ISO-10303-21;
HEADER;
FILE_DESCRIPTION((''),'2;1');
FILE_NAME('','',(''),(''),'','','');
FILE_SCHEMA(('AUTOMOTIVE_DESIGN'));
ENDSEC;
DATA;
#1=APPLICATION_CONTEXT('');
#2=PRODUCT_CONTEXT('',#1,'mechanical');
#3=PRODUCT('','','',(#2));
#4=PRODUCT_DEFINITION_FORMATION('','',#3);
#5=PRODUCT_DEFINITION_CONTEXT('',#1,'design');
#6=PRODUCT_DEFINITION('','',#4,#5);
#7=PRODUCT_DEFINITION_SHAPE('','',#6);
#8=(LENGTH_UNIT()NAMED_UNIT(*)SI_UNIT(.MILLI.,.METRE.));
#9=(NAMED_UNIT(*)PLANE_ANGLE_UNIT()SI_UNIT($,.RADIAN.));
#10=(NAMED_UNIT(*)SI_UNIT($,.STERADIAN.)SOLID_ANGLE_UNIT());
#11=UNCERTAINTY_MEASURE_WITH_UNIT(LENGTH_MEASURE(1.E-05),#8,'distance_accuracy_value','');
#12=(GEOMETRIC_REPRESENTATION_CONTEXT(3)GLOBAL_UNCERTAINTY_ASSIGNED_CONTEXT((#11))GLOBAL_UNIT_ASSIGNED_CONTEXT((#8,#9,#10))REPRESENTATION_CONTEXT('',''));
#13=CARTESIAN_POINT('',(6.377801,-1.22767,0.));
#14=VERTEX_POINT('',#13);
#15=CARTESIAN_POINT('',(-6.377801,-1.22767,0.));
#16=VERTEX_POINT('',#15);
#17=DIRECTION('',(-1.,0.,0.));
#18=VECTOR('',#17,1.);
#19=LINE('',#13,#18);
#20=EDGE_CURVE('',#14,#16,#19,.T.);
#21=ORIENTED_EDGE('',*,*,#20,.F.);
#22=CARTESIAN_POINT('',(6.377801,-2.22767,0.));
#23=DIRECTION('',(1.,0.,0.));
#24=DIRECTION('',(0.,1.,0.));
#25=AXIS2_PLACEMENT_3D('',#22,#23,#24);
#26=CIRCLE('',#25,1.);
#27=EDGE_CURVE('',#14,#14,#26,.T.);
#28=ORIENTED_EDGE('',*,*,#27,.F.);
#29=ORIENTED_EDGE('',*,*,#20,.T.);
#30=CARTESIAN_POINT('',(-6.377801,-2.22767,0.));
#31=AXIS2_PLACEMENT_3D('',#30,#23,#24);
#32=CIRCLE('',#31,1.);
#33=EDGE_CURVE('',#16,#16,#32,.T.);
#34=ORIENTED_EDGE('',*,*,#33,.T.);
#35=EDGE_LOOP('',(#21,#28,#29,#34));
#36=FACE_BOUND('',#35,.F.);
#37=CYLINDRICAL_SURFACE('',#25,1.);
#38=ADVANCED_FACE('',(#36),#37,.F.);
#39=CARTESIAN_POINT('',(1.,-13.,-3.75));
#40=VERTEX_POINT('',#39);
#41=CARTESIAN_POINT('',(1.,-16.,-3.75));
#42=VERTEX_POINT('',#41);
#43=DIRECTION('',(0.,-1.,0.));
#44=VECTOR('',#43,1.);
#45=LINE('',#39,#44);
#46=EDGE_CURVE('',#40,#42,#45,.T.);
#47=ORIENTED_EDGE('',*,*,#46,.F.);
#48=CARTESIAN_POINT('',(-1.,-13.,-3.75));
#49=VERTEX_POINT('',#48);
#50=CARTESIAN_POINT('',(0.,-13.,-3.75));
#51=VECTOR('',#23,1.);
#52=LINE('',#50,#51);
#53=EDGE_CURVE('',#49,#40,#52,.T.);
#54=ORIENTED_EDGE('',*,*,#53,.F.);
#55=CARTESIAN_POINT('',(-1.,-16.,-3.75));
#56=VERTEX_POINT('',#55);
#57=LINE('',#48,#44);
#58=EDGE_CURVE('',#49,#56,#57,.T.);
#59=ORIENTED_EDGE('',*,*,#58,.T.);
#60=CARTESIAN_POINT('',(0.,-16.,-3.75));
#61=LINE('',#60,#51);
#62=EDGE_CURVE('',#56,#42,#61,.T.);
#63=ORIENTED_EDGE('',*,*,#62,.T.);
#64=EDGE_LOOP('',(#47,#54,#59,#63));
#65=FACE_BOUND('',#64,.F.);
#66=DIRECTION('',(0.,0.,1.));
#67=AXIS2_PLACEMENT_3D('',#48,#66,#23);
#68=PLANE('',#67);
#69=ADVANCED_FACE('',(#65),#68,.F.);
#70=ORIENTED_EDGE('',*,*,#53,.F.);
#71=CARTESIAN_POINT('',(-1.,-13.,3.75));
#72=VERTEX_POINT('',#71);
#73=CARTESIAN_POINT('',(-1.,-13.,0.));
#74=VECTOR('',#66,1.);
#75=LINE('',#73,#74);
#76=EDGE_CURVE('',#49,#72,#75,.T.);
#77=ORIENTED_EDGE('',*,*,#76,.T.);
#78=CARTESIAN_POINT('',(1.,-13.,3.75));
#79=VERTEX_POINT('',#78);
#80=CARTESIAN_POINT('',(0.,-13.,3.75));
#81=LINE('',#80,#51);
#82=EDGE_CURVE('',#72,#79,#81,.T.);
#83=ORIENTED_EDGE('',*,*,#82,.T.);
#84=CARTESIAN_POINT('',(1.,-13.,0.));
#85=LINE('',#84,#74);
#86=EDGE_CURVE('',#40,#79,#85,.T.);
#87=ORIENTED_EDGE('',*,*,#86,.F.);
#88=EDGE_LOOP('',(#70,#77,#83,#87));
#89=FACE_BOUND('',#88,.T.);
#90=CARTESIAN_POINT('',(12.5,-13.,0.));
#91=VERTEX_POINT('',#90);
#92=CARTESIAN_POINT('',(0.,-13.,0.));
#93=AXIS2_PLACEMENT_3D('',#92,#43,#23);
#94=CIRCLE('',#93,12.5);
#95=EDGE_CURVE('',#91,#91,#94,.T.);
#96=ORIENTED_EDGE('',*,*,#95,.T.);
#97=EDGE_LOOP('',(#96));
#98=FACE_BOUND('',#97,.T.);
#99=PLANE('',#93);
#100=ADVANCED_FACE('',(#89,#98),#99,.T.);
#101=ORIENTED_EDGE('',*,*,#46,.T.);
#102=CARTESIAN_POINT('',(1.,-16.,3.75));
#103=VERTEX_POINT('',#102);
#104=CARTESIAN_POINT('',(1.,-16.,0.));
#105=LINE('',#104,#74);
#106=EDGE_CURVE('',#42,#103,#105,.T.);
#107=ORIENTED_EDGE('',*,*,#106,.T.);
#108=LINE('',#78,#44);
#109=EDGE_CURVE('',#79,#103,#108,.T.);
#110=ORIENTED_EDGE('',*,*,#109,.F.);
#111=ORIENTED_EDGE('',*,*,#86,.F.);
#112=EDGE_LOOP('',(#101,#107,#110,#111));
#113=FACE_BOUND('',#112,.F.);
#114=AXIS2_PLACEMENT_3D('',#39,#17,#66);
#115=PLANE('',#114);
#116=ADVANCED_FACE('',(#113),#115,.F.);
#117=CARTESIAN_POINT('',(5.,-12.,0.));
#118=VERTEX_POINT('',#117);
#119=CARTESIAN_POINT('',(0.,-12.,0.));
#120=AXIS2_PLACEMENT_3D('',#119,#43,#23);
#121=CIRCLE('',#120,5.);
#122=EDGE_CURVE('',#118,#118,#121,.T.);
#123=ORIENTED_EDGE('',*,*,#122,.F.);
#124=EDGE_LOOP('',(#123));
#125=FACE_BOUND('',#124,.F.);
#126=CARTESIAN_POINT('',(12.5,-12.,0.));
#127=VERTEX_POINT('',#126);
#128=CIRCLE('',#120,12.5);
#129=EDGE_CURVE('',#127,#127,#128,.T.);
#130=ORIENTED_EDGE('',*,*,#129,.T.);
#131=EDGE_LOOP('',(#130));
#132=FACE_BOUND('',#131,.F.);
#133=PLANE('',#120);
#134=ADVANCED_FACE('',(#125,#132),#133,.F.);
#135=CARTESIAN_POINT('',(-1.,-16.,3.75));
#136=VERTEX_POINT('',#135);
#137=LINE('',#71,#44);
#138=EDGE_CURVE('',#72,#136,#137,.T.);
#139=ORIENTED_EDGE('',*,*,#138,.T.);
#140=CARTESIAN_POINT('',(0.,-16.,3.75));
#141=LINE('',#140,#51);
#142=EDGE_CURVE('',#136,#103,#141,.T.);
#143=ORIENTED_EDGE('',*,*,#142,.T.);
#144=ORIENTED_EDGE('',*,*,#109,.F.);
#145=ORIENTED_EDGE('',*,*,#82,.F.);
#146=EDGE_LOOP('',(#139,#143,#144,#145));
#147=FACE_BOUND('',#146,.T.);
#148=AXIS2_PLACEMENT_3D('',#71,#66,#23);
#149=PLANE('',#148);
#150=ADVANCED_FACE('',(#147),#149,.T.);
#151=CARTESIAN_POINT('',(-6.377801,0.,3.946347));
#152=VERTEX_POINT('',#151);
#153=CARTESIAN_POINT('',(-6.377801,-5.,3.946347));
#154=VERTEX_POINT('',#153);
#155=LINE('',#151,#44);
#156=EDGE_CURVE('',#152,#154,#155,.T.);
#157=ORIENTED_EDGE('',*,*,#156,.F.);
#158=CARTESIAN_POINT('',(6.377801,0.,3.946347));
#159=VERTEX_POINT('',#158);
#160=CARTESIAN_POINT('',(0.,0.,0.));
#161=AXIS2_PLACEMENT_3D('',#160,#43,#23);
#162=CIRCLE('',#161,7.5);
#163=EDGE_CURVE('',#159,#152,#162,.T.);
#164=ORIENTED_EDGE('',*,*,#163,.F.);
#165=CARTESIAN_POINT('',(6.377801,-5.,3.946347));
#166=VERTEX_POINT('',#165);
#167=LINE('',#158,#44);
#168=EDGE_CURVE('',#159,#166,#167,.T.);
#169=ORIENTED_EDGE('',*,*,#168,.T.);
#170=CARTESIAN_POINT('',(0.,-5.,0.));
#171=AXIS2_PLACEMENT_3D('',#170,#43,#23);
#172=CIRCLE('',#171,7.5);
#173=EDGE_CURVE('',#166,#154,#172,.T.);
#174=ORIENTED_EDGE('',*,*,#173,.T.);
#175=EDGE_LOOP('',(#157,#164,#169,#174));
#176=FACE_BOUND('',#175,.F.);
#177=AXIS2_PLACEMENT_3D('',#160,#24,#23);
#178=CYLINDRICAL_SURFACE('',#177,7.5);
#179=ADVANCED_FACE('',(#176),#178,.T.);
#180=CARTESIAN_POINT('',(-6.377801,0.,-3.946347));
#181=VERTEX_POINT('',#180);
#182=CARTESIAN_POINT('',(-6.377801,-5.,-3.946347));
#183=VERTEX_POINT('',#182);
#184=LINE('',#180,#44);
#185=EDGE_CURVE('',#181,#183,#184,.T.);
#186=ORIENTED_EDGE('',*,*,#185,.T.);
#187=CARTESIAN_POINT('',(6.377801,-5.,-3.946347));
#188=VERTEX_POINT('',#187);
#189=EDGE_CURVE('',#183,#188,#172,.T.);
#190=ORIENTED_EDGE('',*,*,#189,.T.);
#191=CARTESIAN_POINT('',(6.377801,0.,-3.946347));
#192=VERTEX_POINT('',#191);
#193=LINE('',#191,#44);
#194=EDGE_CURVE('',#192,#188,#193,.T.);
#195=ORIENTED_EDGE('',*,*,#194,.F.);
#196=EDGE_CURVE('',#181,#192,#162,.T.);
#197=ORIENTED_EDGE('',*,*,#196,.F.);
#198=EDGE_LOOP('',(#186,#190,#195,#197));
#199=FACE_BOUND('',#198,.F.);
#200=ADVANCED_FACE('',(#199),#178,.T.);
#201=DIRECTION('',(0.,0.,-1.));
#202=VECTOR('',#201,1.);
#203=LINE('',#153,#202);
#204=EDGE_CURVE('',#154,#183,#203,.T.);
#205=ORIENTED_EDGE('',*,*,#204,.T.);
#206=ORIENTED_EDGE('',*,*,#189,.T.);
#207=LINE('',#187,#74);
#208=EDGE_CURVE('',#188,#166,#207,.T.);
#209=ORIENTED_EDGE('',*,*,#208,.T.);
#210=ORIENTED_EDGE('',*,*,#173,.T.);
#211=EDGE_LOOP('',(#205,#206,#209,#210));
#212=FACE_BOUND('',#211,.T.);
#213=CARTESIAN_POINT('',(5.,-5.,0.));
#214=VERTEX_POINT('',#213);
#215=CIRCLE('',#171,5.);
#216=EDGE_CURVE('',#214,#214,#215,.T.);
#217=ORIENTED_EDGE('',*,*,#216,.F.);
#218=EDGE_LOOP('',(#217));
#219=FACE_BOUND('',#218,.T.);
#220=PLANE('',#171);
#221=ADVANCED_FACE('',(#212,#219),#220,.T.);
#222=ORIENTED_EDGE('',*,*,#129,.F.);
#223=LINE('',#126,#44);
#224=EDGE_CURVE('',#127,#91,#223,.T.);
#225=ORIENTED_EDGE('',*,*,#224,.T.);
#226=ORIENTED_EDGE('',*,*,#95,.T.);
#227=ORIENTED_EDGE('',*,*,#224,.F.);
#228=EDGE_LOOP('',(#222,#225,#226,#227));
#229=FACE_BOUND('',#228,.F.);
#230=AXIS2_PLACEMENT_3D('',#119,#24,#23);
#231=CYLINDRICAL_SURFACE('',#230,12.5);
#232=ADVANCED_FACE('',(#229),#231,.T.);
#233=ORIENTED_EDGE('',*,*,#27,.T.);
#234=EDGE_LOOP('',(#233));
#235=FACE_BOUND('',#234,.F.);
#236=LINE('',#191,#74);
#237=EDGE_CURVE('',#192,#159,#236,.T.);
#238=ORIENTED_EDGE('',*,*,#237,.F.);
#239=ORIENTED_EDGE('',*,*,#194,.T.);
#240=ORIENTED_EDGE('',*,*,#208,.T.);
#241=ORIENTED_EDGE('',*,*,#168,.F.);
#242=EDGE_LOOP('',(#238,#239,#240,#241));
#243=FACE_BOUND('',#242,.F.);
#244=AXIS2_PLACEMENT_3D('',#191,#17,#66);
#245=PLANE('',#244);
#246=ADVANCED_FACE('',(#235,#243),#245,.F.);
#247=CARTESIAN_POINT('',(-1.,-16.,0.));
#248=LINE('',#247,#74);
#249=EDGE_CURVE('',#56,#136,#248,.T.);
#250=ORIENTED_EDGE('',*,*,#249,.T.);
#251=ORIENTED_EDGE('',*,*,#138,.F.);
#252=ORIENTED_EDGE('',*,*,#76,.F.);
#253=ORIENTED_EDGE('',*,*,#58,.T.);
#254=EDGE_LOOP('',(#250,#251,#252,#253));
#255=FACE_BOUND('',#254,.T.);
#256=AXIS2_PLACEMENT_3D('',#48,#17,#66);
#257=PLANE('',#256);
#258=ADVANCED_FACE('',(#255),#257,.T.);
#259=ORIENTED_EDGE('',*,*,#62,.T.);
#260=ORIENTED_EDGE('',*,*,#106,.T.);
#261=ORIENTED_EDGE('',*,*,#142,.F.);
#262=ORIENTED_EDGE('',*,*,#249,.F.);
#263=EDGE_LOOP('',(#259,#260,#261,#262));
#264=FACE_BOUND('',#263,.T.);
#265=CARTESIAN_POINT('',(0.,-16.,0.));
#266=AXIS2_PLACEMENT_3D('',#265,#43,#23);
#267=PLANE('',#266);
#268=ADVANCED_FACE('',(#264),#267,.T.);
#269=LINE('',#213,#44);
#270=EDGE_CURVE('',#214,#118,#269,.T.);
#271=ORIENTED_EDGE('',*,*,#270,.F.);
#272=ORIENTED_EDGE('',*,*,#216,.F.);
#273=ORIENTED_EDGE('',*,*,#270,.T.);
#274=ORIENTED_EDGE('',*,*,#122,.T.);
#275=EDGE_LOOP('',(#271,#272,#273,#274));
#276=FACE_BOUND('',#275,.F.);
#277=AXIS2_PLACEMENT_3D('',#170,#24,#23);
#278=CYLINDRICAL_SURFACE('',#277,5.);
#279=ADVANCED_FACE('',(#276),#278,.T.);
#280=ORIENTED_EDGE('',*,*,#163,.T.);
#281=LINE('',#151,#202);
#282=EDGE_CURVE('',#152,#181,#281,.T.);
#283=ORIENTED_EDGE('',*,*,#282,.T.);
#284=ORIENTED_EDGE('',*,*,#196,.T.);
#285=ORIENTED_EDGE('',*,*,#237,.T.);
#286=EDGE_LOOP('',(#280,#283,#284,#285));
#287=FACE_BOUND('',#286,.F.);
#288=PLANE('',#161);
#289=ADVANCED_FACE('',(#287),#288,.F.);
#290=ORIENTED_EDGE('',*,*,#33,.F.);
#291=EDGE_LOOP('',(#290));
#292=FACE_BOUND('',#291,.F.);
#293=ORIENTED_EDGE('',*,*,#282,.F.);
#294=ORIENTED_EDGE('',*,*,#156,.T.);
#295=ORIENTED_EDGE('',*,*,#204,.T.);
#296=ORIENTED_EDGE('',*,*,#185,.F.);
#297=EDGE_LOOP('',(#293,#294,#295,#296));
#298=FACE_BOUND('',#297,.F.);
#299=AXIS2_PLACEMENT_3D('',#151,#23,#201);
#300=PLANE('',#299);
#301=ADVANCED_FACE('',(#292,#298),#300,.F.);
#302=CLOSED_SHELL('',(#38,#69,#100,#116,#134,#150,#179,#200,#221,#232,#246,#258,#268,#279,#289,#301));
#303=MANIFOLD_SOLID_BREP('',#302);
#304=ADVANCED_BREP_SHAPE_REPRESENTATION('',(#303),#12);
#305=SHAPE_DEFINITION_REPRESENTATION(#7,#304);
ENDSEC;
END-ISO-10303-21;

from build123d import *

# Parameters (mm, degrees)
F0_R      = 7.5
F1_DEPTH  = 5
F2_R      = 5
F3_DEPTH  = 7
F4_R      = 12.5
F5_DEPTH  = 1
F6_W      = 2
F6_H      = 7.5
F7_DEPTH  = 3
F9_DEPTH  = 5
F10_R     = 1
F11_DEPTH = 25


with BuildPart() as f1:
    # F0 (on Front) → F1 (new body)
    with BuildSketch(Plane.XZ):
        Circle(F0_R)
    extrude(amount=F1_DEPTH)

    # F2 (on face) → F3 (join)
    with BuildSketch(Plane.XZ.offset(5)):
        Circle(F2_R)
    extrude(amount=F3_DEPTH)

    # F4 (on face) → F5 (join)
    with BuildSketch(Plane.XZ.offset(12)):
        Circle(F4_R)
    extrude(amount=F5_DEPTH)

    # F6 (on face) → F7 (join)
    with BuildSketch(Plane.XZ.offset(13)):
        Rectangle(F6_W, F6_H)
    extrude(amount=F7_DEPTH)

    # F8 (on face) → F9 (cut)
    with BuildSketch(Plane(origin=(0, 0, 0), x_dir=(-1, 0, 0), z_dir=(0, 1, 0))):
        with BuildLine():
            Line((-6.377801, -3.946347), (-6.377801, 3.946347))
            ThreePointArc((-6.377801, 3.946347), (-7.5, 0), (-6.377801, -3.946347))
        make_face()
        with BuildLine():
            ThreePointArc((6.377801, -3.946347), (7.5, 0), (6.377801, 3.946347))
            Line((6.377801, 3.946347), (6.377801, -3.946347))
        make_face()
    extrude(amount=-F9_DEPTH, mode=Mode.SUBTRACT)

    # F10 (on face) → F11 (cut)
    with BuildSketch(Plane.YZ.offset(6.377801)):
        with Locations((-2.22767, 0)):
            Circle(F10_R)
    extrude(amount=-F11_DEPTH, mode=Mode.SUBTRACT)


solid = f1.part
